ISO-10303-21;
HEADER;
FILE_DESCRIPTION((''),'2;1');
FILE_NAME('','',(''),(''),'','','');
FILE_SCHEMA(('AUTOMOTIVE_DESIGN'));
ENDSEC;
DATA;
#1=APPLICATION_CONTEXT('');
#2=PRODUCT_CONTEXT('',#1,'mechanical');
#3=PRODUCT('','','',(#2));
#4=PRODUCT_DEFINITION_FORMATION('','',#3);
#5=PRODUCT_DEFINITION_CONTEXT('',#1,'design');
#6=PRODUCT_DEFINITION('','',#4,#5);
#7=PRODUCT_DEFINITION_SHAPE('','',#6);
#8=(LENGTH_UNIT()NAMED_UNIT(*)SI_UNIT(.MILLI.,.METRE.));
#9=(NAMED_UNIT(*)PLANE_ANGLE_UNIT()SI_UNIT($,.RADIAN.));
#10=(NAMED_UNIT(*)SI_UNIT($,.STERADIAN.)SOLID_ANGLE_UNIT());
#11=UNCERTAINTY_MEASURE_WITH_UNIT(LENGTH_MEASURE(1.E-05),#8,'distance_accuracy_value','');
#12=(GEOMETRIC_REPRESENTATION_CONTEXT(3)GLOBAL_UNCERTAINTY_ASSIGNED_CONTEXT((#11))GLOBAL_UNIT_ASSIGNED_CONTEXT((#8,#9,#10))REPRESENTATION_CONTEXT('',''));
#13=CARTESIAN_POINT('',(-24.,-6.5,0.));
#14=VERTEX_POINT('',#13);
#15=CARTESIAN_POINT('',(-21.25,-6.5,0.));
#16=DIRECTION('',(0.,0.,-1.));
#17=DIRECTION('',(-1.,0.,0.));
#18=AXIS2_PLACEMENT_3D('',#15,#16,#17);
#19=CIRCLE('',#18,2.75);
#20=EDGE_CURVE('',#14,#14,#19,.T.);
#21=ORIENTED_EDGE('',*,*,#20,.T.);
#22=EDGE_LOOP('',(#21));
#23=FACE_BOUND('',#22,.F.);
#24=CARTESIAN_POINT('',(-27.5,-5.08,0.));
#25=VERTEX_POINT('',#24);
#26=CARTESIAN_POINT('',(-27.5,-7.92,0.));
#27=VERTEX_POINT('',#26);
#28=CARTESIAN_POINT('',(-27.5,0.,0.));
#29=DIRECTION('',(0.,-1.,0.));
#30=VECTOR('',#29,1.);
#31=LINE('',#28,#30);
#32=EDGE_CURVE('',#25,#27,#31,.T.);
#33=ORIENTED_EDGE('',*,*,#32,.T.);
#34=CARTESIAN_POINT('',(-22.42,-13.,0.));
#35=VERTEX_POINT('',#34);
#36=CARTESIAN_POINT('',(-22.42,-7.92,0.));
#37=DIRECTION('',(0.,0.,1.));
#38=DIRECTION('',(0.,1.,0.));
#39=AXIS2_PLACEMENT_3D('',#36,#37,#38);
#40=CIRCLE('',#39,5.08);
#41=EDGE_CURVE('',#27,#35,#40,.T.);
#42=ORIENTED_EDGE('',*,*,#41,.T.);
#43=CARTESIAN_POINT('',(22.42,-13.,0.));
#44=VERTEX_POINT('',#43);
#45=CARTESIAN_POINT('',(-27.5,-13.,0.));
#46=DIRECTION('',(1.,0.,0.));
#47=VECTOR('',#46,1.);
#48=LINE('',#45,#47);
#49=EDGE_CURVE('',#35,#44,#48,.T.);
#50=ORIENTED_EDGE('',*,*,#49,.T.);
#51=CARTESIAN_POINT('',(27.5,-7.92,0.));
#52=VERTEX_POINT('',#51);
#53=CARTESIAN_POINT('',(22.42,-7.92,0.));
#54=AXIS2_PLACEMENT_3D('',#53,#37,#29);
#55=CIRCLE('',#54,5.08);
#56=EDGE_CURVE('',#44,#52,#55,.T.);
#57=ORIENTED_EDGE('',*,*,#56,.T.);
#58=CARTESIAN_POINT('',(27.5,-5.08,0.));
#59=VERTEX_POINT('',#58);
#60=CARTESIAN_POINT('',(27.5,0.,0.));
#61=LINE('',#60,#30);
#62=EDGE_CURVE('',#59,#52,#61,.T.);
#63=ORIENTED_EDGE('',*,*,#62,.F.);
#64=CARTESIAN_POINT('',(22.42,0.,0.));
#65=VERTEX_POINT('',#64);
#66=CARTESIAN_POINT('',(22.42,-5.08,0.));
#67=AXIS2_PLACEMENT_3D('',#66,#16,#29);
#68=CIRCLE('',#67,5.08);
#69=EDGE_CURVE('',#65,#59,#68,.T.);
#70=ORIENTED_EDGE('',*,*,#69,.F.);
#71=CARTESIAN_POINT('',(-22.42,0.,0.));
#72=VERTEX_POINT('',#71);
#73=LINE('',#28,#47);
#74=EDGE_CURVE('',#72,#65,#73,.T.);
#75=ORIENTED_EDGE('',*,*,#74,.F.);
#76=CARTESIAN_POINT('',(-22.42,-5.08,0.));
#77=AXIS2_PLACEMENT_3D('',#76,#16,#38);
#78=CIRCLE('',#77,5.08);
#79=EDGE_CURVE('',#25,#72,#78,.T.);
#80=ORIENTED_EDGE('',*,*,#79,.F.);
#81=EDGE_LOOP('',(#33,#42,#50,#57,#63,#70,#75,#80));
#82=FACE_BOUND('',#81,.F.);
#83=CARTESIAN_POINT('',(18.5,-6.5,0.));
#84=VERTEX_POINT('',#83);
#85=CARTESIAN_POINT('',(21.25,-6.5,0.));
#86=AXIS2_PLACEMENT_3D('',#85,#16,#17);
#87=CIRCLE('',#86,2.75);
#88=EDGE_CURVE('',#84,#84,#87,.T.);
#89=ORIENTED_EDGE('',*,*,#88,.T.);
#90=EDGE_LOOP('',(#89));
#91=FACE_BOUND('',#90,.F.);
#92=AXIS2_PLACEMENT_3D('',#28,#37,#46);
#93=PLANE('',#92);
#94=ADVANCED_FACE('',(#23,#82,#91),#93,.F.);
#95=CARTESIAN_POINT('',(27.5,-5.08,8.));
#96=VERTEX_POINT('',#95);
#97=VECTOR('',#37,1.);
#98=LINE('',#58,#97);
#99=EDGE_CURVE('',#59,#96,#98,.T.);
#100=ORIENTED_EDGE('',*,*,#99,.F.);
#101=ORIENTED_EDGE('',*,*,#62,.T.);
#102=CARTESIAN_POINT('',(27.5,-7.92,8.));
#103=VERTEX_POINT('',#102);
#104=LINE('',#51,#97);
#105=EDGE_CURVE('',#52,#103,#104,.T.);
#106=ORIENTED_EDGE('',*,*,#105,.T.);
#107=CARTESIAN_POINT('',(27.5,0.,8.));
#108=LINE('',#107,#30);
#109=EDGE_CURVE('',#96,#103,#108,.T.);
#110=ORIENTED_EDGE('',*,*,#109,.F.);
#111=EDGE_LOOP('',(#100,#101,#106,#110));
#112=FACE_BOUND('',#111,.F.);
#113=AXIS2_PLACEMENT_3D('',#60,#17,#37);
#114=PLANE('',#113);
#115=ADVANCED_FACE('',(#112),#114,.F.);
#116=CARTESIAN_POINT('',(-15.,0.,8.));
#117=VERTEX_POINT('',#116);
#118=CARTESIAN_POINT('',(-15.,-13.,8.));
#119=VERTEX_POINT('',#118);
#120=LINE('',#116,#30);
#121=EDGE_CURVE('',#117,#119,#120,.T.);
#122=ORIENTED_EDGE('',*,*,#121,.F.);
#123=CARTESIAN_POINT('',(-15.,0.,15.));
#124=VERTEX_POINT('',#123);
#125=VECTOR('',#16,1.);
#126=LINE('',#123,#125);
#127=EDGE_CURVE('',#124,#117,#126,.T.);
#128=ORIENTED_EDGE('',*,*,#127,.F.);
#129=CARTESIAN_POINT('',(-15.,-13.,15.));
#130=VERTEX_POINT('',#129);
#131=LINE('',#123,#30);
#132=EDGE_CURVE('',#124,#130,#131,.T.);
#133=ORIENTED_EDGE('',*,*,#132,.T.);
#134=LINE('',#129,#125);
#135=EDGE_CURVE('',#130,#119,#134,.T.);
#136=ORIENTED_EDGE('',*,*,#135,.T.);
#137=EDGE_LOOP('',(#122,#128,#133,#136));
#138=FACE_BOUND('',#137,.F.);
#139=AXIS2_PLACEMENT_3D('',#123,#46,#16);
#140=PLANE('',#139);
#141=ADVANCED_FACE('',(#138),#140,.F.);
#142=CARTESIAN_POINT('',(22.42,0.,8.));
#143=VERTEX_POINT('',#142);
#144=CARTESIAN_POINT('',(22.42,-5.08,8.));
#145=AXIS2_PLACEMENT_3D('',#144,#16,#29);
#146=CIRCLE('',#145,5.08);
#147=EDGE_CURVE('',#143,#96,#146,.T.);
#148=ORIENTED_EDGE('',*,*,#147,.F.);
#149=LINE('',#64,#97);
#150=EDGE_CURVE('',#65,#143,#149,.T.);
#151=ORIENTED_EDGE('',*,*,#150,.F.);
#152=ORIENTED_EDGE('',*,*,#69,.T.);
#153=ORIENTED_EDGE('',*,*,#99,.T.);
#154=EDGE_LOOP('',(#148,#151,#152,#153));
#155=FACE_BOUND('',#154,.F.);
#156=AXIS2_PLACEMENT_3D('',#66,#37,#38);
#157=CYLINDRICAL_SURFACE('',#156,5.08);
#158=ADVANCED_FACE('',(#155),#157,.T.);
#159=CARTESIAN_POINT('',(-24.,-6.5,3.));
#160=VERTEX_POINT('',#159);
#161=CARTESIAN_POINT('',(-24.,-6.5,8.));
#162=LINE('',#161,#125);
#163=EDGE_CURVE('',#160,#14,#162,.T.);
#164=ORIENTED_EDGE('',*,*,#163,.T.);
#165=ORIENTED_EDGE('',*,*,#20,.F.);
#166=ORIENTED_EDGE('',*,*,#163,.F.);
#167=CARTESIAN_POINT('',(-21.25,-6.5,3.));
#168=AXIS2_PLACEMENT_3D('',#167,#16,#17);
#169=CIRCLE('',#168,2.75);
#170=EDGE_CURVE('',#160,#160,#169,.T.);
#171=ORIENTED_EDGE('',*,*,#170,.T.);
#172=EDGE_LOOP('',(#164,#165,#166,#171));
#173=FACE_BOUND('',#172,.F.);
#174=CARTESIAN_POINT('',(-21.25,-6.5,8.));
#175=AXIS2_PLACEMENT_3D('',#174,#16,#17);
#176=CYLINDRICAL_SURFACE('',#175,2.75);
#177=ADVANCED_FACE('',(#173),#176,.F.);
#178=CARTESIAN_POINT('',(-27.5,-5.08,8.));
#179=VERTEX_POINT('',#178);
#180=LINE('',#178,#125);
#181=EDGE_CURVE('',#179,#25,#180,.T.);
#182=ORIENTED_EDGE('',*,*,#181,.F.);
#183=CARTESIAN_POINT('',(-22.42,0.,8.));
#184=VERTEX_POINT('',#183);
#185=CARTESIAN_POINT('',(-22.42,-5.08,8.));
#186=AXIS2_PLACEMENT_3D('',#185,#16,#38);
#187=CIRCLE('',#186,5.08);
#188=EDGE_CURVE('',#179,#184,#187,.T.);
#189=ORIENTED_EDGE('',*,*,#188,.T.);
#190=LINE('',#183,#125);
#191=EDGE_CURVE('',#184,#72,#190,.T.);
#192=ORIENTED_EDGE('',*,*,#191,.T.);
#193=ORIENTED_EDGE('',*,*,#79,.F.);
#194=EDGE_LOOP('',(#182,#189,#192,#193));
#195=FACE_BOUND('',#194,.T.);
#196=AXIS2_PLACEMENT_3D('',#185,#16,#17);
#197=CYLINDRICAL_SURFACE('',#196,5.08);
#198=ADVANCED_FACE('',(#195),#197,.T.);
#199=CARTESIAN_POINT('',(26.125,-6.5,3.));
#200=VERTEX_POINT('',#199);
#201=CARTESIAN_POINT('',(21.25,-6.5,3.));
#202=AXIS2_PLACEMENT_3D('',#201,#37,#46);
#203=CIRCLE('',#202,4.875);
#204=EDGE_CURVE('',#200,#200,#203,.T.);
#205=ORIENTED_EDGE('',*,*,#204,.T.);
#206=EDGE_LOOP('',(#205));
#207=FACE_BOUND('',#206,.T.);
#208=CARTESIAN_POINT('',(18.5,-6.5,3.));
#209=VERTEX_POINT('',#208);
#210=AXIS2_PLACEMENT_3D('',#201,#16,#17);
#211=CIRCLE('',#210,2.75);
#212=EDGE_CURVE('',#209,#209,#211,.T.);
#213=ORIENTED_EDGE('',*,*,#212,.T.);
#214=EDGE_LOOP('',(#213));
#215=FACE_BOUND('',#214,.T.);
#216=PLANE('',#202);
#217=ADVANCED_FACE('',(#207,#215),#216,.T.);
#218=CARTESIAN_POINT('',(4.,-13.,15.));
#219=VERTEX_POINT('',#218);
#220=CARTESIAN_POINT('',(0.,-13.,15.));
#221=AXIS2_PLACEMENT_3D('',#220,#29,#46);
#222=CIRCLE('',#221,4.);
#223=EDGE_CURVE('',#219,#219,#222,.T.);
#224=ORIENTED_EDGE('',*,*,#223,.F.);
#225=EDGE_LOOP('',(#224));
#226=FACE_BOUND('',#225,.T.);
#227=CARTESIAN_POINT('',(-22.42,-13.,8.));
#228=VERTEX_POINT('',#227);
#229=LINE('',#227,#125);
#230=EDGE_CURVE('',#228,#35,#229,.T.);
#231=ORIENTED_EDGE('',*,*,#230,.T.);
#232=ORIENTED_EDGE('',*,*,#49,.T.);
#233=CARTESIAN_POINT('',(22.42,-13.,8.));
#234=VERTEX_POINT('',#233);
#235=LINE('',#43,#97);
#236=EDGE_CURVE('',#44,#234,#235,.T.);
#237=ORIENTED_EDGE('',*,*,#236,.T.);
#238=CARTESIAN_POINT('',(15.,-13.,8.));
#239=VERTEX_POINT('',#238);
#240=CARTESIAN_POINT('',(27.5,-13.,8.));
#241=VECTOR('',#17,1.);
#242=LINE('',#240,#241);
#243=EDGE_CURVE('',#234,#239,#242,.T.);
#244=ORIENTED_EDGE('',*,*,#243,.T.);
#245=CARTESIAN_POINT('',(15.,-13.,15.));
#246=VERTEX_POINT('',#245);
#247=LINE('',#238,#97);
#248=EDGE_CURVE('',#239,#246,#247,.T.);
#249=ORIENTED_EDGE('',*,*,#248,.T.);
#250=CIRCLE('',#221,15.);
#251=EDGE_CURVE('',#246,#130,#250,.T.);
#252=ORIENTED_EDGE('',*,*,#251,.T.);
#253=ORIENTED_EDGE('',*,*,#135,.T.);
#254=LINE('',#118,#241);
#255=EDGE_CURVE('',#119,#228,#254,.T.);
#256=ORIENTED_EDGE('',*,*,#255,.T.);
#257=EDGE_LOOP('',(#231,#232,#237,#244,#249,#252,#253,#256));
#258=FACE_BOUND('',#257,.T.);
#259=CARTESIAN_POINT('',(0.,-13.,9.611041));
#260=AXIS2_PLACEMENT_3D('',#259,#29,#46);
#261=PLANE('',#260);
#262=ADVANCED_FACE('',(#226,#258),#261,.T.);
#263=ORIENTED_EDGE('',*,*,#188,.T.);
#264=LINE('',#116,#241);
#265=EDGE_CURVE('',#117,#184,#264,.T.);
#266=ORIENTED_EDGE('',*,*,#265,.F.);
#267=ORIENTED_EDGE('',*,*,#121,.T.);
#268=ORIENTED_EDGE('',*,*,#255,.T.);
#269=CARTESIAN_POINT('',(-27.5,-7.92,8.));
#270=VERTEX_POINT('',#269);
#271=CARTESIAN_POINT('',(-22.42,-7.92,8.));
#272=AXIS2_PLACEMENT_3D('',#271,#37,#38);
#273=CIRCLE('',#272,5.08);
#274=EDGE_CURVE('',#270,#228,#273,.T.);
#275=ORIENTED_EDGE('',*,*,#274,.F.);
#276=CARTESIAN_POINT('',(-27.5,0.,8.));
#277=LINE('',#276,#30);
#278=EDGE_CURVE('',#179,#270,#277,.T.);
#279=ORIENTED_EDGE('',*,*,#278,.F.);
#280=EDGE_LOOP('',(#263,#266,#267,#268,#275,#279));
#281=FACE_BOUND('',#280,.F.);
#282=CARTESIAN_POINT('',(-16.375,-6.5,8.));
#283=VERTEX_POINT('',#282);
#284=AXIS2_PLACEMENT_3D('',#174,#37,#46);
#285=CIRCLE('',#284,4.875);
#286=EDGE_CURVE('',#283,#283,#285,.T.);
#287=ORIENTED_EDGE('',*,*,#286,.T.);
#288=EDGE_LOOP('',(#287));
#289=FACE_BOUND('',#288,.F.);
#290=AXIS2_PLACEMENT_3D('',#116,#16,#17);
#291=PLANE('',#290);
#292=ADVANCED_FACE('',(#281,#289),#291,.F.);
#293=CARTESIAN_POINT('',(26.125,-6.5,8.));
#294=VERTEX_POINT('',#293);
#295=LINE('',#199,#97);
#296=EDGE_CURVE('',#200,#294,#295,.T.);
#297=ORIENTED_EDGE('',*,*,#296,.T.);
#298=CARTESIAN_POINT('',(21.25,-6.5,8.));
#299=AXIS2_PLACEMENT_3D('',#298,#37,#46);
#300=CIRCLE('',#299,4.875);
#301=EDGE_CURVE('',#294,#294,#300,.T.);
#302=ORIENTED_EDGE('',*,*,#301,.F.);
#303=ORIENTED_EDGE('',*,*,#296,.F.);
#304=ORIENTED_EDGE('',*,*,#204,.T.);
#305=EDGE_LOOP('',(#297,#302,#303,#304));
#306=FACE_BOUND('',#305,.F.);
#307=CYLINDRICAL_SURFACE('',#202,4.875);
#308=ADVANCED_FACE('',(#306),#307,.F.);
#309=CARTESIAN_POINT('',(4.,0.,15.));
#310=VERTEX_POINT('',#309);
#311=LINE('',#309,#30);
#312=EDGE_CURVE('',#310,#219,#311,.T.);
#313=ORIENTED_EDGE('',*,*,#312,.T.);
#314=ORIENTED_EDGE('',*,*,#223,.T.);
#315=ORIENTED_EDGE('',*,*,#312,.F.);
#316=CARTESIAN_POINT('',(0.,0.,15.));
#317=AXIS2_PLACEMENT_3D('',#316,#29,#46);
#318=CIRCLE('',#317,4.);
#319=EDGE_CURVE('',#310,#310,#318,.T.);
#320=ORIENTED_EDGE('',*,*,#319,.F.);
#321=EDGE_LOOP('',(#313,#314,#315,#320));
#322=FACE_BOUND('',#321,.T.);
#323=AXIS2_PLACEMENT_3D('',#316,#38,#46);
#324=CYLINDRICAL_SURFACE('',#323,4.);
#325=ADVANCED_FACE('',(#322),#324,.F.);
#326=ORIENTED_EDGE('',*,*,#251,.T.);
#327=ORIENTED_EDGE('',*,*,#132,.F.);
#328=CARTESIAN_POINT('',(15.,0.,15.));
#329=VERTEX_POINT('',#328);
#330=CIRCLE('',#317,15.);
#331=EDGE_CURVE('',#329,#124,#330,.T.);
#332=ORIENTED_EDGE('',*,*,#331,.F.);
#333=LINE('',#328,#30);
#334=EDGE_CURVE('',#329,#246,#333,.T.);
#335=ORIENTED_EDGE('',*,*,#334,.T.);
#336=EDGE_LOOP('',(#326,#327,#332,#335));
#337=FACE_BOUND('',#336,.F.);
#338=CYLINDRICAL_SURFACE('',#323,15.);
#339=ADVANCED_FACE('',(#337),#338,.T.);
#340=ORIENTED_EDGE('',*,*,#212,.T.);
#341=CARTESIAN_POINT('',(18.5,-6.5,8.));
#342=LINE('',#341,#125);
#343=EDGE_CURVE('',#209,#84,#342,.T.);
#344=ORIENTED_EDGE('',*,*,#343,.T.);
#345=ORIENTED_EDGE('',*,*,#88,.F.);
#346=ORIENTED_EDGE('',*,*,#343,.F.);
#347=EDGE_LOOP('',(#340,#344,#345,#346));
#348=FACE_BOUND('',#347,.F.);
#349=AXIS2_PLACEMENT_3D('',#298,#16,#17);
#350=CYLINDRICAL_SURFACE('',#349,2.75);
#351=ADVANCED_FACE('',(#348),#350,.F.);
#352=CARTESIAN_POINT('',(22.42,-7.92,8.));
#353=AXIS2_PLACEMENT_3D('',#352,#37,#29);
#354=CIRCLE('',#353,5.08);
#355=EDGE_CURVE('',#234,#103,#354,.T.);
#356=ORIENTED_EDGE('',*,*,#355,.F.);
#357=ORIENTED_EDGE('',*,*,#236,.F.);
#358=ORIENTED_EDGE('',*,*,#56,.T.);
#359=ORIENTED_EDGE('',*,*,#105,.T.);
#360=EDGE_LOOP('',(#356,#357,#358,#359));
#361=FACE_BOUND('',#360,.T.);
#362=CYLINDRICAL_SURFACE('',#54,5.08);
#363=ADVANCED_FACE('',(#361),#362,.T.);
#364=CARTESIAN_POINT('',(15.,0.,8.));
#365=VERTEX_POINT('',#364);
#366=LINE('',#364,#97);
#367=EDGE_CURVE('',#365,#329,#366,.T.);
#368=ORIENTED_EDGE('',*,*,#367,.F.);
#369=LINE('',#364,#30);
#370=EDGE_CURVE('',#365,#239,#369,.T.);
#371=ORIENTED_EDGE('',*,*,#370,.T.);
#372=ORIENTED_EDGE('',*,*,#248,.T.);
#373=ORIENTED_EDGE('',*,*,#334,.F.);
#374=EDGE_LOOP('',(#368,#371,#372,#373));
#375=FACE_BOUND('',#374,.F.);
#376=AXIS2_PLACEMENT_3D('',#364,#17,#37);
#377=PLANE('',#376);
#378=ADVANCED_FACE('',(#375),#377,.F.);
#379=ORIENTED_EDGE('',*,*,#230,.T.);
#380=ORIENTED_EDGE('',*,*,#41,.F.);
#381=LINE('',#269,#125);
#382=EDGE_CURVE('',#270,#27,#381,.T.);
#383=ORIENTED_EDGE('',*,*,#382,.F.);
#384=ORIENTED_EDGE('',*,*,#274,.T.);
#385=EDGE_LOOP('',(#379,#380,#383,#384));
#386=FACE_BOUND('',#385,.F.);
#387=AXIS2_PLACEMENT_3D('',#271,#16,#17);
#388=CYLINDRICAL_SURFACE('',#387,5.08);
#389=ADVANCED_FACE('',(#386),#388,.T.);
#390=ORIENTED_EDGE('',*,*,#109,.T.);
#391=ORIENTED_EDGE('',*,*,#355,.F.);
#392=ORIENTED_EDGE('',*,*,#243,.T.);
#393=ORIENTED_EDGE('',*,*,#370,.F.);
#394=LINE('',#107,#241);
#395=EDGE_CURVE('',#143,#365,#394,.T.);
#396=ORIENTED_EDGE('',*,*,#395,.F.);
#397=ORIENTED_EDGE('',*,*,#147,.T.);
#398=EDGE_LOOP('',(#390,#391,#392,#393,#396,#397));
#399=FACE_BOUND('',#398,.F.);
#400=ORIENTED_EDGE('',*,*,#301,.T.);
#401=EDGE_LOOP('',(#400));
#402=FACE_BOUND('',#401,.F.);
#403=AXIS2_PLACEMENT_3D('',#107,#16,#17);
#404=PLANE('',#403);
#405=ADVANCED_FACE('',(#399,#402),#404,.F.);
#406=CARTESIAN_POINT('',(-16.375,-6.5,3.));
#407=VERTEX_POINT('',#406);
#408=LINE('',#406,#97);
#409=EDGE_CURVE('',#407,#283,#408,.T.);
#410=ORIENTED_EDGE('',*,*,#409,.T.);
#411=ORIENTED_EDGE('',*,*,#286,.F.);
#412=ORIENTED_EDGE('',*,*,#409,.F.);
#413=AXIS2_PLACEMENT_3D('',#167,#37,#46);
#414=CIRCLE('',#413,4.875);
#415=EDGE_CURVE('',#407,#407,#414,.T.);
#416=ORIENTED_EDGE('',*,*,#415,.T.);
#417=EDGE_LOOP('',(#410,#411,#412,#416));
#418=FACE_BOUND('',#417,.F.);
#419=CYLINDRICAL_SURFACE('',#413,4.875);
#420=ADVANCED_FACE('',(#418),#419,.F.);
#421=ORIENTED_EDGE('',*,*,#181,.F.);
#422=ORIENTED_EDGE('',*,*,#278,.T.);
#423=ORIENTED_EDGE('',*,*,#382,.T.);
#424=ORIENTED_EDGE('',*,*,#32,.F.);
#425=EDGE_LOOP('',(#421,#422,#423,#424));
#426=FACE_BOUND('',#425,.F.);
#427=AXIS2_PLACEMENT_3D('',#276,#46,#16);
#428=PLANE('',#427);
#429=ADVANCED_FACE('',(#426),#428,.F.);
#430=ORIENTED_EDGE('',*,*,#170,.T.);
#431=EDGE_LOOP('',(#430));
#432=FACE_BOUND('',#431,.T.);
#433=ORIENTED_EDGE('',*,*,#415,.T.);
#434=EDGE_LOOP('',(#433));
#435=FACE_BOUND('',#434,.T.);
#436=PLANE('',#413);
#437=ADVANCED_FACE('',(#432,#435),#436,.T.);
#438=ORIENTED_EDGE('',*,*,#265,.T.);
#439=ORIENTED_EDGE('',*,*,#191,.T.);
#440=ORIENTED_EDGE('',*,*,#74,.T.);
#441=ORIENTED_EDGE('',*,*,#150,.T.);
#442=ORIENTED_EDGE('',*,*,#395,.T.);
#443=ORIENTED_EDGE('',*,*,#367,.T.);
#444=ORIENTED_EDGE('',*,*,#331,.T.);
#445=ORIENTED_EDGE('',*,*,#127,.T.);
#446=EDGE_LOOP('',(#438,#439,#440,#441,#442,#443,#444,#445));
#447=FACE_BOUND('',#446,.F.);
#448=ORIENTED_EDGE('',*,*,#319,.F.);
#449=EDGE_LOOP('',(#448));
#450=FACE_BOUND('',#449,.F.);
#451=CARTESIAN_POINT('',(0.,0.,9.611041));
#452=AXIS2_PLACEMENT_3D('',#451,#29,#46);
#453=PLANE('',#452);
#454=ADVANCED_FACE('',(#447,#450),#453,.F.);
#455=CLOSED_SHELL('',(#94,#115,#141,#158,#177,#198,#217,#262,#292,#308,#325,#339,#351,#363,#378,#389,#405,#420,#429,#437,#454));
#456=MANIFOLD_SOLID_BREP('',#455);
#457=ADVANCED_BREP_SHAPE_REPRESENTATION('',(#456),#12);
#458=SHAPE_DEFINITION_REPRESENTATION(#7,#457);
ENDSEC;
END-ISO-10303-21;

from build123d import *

# Parameters (mm, degrees)
F0_R           = 4
F1_DEPTH       = 13
F3_D           = 5.5
F3_CBORE_D     = 9.75
F3_CBORE_DEPTH = 5
F4_R           = 5.08


with BuildPart() as f1:
    # F0 (on Front) → F1 (new body)
    with BuildSketch(Plane.XZ):
        with BuildLine():
            Line((-27.5, 8), (-27.5, 0))
            Line((-27.5, 0), (27.5, 0))
            Line((27.5, 0), (27.5, 8))
            Line((27.5, 8), (15, 8))
            Line((15, 8), (15, 15))
            ThreePointArc((15, 15), (0, 30), (-15, 15))
            Line((-15, 15), (-15, 8))
            Line((-15, 8), (-27.5, 8))
        make_face()
        with Locations((0, 15)):
            Circle(F0_R, mode=Mode.SUBTRACT)
    extrude(amount=F1_DEPTH)

    # F3 (through all)
    with Locations(Plane.XY.offset(8)):
        with Locations((-21.25, -6.5), (21.25, -6.5)):
            CounterBoreHole(F3_D / 2, F3_CBORE_D / 2, F3_CBORE_DEPTH)

    # F4
    f4_edges = [f1.edges().sort_by_distance(p)[0] for p in [
        (27.5, -13, 4),
        (27.5, 0, 4),
        (-27.5, -13, 4),
        (-27.5, 0, 4),
    ]]
    fillet(f4_edges, radius=F4_R)


solid = f1.part
